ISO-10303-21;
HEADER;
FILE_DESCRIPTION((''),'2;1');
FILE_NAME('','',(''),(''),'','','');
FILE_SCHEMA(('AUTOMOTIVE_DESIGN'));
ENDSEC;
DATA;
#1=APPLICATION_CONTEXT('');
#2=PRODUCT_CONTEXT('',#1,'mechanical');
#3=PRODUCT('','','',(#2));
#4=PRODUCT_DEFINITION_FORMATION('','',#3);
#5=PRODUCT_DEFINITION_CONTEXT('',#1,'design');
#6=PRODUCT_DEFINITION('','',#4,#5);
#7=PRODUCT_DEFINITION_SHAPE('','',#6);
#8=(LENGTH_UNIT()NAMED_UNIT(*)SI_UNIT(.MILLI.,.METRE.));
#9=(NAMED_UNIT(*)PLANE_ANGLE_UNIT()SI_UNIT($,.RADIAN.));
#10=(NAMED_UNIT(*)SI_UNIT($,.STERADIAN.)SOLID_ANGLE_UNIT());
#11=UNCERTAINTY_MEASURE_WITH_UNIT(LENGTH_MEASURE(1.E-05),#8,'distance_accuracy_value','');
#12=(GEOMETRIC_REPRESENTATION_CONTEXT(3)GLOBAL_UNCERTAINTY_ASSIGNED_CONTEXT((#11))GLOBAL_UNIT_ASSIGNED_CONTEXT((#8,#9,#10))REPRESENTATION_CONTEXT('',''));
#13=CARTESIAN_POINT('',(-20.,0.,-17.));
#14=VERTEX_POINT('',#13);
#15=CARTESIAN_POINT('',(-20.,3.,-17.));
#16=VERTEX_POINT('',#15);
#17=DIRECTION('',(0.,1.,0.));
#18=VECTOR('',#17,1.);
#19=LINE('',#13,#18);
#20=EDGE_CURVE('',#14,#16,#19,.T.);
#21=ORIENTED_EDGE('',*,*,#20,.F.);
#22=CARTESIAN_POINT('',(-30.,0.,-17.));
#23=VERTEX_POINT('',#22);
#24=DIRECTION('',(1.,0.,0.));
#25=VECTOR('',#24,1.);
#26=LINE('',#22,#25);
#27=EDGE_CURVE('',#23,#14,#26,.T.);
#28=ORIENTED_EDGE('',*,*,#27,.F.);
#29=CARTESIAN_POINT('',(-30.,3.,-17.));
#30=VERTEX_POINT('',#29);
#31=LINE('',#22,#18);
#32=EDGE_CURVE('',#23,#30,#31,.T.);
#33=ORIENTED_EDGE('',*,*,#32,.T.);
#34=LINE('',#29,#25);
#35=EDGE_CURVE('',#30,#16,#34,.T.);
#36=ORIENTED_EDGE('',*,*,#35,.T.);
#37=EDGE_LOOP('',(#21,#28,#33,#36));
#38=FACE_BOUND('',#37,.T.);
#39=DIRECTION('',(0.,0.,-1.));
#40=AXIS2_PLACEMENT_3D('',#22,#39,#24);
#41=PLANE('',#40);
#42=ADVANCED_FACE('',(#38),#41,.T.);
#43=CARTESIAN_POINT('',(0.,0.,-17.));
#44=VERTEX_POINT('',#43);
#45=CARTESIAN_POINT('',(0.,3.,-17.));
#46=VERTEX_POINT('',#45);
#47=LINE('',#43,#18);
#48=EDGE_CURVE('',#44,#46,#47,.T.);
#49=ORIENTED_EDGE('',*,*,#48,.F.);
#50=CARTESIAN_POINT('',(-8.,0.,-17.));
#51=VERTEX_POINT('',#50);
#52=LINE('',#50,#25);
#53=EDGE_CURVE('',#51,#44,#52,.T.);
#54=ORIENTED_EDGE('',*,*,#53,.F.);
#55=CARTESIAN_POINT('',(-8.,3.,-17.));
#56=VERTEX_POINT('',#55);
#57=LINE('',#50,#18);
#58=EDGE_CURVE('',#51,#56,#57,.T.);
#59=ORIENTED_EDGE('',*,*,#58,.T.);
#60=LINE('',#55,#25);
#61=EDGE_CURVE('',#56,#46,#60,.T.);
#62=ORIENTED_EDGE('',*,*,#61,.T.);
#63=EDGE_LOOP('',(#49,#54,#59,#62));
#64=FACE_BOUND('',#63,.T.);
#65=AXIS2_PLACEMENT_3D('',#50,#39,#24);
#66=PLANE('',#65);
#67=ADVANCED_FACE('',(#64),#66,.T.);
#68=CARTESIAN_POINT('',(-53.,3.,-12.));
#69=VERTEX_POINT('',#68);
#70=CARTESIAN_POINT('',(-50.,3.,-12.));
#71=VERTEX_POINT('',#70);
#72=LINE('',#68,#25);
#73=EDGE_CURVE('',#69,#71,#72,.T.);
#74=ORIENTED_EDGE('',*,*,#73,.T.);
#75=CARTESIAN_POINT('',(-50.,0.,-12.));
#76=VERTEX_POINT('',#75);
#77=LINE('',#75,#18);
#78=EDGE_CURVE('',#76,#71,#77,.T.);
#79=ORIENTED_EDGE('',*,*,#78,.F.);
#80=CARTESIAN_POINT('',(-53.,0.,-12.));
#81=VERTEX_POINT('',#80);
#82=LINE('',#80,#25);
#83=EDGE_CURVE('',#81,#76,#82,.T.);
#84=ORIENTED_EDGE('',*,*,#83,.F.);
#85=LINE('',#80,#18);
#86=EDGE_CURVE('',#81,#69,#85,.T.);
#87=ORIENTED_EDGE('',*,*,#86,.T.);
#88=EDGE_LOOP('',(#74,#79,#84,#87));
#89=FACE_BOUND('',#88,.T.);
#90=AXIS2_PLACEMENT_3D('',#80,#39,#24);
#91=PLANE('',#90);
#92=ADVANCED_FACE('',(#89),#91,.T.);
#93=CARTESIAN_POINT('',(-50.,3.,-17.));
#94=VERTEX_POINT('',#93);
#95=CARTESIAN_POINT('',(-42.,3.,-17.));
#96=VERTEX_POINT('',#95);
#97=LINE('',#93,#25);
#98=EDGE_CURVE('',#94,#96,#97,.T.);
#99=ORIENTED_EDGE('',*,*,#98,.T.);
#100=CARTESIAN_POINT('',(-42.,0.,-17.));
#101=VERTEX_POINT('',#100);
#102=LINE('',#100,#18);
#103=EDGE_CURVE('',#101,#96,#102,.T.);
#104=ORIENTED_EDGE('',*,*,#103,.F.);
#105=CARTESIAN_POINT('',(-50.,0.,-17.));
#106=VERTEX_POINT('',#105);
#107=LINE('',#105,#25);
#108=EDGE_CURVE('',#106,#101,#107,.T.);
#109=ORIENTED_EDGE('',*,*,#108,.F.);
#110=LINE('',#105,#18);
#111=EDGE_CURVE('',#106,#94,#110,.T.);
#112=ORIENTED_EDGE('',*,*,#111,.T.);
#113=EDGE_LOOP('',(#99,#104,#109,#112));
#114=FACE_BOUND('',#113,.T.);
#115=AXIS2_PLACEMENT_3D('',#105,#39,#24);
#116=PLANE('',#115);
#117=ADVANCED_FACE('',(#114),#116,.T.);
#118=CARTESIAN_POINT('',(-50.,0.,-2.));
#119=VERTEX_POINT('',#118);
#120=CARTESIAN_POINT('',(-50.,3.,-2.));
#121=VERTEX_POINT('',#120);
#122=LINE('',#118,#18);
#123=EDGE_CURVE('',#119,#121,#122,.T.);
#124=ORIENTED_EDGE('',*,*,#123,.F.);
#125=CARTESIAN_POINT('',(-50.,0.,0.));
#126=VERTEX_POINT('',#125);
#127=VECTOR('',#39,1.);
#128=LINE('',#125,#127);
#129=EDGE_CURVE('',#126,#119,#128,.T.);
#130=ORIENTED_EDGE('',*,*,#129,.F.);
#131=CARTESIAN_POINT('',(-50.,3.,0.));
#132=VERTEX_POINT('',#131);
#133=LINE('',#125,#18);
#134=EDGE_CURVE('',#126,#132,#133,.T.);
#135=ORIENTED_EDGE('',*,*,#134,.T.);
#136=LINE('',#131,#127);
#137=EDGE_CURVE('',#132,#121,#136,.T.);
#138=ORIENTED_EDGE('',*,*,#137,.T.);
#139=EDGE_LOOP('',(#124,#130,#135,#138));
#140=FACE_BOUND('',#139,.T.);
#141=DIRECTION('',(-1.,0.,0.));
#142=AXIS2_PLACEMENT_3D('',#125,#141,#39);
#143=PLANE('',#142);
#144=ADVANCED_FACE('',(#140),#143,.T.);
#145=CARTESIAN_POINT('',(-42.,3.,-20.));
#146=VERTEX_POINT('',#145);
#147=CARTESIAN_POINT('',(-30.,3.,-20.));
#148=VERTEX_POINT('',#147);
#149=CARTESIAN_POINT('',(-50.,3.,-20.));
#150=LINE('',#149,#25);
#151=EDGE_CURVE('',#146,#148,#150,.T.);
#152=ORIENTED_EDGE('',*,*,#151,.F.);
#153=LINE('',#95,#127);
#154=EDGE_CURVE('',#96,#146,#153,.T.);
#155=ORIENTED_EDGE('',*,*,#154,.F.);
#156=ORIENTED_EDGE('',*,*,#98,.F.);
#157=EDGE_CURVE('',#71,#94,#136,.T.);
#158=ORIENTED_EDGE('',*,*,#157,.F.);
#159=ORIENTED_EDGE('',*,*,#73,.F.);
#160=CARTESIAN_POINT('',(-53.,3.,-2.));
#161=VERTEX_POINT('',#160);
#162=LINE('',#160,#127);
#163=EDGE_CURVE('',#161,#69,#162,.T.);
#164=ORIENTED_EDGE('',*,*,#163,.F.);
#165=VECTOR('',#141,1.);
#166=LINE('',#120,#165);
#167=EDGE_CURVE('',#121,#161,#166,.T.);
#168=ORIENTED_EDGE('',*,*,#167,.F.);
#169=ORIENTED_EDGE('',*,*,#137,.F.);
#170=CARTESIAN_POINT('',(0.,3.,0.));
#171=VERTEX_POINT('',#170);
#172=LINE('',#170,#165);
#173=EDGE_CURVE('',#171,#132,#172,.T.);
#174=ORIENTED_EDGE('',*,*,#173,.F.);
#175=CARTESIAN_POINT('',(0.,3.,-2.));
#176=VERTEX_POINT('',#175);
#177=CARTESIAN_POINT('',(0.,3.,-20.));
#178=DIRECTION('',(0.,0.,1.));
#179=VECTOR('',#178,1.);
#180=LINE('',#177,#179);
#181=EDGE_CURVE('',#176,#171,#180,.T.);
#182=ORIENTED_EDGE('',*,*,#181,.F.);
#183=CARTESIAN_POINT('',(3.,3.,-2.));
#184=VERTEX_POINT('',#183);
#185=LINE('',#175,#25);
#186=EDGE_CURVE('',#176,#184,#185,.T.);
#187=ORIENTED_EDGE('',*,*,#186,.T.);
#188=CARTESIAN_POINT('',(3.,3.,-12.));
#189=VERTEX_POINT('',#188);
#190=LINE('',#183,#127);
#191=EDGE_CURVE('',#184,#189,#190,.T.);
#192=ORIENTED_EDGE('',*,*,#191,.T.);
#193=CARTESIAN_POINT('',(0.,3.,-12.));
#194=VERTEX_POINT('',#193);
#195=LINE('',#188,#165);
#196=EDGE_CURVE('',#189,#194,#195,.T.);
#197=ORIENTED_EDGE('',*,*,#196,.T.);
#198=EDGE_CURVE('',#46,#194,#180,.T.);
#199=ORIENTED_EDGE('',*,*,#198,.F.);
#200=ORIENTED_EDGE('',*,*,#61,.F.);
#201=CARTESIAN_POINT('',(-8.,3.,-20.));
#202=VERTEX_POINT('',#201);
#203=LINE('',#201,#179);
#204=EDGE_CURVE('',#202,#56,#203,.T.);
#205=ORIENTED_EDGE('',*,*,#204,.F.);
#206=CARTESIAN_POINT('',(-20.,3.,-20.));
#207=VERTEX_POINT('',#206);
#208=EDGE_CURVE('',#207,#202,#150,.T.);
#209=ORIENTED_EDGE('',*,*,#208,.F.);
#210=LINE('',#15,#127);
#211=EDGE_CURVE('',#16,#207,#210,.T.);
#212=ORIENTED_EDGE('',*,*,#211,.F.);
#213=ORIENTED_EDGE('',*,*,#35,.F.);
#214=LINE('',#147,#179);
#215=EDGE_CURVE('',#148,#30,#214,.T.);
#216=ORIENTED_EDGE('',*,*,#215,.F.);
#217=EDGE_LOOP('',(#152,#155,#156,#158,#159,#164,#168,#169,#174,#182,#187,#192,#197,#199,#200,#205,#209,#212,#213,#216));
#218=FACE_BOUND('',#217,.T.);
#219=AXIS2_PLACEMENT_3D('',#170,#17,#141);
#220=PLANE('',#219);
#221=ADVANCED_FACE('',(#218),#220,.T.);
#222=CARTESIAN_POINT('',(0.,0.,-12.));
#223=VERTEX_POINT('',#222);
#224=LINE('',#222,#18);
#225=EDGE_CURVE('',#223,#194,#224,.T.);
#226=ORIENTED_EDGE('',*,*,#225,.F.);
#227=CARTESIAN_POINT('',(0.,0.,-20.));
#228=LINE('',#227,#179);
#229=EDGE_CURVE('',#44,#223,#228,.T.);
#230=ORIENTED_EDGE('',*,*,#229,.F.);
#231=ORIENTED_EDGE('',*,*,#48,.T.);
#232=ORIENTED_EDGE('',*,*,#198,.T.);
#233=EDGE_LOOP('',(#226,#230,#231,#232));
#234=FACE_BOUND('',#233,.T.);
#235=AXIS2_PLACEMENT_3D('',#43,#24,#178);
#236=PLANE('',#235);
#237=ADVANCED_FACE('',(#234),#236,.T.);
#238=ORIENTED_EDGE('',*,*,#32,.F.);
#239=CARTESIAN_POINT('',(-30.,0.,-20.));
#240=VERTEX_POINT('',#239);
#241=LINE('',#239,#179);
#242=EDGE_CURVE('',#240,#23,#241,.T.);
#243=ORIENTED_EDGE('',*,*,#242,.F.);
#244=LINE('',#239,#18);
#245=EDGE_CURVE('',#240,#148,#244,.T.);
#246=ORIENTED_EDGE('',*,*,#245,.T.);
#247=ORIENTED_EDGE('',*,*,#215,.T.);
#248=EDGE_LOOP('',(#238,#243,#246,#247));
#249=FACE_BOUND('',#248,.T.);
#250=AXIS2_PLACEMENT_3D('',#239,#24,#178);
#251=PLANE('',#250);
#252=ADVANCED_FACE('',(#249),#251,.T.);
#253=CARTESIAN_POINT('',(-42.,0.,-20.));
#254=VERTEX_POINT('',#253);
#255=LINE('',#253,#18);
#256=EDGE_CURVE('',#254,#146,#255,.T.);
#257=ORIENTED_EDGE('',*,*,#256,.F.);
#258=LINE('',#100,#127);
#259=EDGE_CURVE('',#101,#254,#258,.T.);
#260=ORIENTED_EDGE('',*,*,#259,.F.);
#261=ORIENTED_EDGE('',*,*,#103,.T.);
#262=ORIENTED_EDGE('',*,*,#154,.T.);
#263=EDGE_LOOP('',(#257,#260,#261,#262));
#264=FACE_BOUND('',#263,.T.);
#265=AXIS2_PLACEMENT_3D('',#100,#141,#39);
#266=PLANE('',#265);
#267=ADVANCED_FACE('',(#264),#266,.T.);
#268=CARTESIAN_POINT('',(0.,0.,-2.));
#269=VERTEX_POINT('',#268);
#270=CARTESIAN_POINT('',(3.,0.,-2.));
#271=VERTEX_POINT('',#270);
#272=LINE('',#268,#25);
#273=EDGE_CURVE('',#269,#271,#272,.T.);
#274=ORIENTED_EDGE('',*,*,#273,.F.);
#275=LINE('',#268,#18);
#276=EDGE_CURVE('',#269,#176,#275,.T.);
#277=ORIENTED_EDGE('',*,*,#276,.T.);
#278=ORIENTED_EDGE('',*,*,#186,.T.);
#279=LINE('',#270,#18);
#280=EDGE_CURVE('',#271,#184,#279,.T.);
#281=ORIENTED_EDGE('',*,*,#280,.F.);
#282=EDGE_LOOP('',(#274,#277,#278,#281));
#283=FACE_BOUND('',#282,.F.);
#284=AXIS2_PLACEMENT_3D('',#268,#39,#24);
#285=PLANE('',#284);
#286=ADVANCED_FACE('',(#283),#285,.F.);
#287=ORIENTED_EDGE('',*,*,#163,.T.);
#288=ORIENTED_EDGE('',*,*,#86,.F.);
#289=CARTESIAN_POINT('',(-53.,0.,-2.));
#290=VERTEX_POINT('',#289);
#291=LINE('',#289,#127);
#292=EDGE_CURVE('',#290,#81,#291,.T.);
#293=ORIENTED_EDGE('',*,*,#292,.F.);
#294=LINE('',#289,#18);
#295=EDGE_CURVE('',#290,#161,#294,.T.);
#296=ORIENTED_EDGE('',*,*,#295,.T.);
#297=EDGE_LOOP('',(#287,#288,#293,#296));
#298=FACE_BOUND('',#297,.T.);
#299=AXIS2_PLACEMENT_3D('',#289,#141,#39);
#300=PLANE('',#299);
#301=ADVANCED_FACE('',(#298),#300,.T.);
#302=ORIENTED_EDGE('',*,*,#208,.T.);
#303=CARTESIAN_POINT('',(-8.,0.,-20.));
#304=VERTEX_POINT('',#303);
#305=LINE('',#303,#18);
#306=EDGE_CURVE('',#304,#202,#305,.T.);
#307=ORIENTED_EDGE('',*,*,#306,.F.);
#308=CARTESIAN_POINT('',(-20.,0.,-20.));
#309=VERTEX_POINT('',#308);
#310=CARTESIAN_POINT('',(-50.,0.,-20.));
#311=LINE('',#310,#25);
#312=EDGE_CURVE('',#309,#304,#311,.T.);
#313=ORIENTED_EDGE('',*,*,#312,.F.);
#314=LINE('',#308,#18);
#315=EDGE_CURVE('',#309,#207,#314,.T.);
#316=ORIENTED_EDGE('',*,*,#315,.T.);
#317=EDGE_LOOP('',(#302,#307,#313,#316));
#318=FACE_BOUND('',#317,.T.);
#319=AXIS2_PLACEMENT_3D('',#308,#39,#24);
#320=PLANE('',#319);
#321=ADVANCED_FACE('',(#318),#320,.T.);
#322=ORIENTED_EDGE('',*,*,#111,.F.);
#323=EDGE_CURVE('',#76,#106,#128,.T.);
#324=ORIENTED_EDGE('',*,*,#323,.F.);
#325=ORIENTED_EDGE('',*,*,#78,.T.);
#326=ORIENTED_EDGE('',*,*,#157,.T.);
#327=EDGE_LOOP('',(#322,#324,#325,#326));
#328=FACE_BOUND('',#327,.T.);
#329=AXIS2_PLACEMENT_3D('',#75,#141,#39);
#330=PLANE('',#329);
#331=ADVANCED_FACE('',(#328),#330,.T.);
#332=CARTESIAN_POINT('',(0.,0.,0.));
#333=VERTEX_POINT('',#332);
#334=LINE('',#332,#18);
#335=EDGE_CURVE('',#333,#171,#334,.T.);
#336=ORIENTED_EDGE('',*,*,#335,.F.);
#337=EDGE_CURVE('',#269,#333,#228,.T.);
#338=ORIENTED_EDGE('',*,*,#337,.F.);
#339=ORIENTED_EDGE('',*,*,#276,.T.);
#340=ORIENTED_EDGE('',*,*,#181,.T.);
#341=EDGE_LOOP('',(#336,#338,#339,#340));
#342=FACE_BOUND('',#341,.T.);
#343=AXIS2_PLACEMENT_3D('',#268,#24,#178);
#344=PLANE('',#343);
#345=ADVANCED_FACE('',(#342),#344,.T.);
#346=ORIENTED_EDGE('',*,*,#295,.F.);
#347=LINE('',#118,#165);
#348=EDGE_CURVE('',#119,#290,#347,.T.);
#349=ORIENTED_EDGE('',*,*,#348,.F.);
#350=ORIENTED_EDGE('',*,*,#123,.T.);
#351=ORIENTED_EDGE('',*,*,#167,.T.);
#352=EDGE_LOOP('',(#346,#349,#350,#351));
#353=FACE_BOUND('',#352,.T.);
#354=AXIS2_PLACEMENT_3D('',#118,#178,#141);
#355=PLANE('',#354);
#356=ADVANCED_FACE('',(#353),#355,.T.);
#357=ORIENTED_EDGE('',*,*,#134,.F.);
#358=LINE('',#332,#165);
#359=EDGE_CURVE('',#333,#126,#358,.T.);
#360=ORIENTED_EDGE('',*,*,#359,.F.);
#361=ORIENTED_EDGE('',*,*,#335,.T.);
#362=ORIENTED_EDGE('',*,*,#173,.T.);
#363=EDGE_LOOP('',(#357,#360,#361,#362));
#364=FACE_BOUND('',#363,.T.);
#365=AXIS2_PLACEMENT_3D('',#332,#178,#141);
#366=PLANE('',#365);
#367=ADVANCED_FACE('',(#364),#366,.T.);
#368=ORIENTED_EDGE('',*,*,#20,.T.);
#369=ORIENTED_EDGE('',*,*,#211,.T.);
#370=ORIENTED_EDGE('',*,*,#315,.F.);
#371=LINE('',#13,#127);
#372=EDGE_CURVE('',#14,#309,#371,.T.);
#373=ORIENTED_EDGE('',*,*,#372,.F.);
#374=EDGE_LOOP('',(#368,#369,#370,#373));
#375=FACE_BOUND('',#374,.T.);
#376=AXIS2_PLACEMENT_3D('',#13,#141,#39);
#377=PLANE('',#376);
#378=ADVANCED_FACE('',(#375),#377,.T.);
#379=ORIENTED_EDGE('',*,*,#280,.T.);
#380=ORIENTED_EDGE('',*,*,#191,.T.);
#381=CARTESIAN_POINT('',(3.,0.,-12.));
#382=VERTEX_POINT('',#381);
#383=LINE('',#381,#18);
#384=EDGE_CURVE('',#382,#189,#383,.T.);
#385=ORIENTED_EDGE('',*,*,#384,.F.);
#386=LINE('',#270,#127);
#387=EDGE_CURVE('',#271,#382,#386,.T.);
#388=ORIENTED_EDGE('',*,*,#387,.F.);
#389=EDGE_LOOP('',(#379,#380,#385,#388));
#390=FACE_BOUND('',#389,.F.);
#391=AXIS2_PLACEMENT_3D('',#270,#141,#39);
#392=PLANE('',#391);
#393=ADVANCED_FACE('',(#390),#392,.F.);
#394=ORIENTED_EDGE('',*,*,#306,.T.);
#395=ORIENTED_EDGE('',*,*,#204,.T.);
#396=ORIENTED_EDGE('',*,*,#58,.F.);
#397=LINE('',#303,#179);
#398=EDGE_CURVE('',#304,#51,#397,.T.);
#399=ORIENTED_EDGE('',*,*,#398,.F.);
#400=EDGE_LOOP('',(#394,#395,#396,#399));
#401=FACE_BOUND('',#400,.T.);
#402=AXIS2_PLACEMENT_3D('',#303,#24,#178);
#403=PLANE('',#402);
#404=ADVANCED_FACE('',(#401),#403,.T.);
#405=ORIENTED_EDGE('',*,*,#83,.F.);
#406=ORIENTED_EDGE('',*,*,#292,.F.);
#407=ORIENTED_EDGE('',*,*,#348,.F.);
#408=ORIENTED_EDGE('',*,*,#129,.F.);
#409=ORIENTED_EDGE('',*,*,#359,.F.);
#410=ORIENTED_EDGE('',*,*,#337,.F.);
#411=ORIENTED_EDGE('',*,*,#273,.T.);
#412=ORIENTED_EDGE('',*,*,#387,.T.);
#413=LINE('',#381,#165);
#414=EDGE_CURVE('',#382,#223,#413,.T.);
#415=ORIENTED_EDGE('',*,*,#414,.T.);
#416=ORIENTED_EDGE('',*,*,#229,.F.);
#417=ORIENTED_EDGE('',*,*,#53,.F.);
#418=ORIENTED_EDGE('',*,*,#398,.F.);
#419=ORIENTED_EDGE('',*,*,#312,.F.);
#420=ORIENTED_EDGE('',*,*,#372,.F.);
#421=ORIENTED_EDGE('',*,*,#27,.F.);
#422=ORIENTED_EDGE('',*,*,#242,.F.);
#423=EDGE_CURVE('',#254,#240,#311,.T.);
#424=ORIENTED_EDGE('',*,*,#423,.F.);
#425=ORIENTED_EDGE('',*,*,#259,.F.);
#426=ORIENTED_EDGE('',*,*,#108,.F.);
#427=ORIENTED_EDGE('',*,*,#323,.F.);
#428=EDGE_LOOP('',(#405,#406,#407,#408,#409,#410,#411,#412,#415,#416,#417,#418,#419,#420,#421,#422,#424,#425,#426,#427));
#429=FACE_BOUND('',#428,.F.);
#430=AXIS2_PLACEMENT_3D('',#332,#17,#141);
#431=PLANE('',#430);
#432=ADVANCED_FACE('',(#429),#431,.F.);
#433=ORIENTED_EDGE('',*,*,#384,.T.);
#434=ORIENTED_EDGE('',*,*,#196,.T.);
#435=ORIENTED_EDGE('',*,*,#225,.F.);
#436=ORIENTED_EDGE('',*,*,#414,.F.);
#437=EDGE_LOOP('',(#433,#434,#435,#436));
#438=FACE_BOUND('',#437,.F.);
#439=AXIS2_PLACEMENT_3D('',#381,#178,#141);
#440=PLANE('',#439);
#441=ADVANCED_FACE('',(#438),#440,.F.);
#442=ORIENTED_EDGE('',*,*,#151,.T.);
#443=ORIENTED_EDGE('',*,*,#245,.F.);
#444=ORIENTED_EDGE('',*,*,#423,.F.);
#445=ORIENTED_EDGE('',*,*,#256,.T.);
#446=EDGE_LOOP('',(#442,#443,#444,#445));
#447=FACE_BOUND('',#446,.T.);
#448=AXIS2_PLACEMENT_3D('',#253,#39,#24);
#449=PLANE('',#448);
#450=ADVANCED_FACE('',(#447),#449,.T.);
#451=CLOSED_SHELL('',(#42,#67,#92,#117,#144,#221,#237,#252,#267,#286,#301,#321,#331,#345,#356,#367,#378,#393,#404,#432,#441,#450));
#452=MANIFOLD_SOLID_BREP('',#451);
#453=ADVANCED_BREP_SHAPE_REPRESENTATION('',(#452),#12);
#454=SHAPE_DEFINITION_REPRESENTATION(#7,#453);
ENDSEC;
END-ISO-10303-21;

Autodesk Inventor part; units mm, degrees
ref_plane "YZ Plane" through (0, 0, 0) normal (1, 0, 0) x (0, 1, 0)
ref_plane "XZ Plane" through (0, 0, 0) normal (0, 1, 0) x (-1, 0, 0)
ref_plane "XY Plane" through (0, 0, 0) normal (0, 0, 1) x (1, 0, 0)
sketch "Sketch1" plane through (0, 0, 0) normal (0, 1, 0) x (-1, 0, 0)
  line L0 (0, 0) -> (50, 0)
  line L1 (50, 0) -> (50, -20)
  line L2 (50, -20) -> (0, -20)
  line L3 (0, -20) -> (0, 0)
  line L4 (50, -2) -> (53, -2)
  line L5 (53, -2) -> (53, -12)
  line L6 (53, -12) -> (50, -12)
  line L7 (25, -20) -> (25, 0) construction
  line L8 (0, -2) -> (-3, -2)
  line L9 (-3, -2) -> (-3, -12)
  line L10 (-3, -12) -> (0, -12)
  line L11 (50, -17) -> (42, -17)
  line L12 (42, -17) -> (42, -20)
  line L13 (8, -20) -> (8, -17)
  line L14 (8, -17) -> (0, -17)
  line L15 (30, -17) -> (20, -17)
  line L16 (20, -17) -> (20, -20)
  line L17 (20, -20) -> (30, -20)
  line L18 (30, -20) -> (30, -17)
  point P0 (25, -17)
  point P1 (30, -20)
  dimension "d0" = 20
  dimension "d1" = 50
  dimension "d2" = 2
  dimension "d3" = 10
  dimension "d4" = 3
  dimension "d7" = 8
  dimension "d8" = 3
  dimension "d9" = 10
extrude "Extrusion1" add sketch "Sketch1" along normal blind 3 contours L0 L1 L11 L12 L2 L18 L15 L16 L13 L14 L3 | L3 L10 L9 L8 | L4 L5 L6 L1
properties part number "soporte_base_parqueo"
